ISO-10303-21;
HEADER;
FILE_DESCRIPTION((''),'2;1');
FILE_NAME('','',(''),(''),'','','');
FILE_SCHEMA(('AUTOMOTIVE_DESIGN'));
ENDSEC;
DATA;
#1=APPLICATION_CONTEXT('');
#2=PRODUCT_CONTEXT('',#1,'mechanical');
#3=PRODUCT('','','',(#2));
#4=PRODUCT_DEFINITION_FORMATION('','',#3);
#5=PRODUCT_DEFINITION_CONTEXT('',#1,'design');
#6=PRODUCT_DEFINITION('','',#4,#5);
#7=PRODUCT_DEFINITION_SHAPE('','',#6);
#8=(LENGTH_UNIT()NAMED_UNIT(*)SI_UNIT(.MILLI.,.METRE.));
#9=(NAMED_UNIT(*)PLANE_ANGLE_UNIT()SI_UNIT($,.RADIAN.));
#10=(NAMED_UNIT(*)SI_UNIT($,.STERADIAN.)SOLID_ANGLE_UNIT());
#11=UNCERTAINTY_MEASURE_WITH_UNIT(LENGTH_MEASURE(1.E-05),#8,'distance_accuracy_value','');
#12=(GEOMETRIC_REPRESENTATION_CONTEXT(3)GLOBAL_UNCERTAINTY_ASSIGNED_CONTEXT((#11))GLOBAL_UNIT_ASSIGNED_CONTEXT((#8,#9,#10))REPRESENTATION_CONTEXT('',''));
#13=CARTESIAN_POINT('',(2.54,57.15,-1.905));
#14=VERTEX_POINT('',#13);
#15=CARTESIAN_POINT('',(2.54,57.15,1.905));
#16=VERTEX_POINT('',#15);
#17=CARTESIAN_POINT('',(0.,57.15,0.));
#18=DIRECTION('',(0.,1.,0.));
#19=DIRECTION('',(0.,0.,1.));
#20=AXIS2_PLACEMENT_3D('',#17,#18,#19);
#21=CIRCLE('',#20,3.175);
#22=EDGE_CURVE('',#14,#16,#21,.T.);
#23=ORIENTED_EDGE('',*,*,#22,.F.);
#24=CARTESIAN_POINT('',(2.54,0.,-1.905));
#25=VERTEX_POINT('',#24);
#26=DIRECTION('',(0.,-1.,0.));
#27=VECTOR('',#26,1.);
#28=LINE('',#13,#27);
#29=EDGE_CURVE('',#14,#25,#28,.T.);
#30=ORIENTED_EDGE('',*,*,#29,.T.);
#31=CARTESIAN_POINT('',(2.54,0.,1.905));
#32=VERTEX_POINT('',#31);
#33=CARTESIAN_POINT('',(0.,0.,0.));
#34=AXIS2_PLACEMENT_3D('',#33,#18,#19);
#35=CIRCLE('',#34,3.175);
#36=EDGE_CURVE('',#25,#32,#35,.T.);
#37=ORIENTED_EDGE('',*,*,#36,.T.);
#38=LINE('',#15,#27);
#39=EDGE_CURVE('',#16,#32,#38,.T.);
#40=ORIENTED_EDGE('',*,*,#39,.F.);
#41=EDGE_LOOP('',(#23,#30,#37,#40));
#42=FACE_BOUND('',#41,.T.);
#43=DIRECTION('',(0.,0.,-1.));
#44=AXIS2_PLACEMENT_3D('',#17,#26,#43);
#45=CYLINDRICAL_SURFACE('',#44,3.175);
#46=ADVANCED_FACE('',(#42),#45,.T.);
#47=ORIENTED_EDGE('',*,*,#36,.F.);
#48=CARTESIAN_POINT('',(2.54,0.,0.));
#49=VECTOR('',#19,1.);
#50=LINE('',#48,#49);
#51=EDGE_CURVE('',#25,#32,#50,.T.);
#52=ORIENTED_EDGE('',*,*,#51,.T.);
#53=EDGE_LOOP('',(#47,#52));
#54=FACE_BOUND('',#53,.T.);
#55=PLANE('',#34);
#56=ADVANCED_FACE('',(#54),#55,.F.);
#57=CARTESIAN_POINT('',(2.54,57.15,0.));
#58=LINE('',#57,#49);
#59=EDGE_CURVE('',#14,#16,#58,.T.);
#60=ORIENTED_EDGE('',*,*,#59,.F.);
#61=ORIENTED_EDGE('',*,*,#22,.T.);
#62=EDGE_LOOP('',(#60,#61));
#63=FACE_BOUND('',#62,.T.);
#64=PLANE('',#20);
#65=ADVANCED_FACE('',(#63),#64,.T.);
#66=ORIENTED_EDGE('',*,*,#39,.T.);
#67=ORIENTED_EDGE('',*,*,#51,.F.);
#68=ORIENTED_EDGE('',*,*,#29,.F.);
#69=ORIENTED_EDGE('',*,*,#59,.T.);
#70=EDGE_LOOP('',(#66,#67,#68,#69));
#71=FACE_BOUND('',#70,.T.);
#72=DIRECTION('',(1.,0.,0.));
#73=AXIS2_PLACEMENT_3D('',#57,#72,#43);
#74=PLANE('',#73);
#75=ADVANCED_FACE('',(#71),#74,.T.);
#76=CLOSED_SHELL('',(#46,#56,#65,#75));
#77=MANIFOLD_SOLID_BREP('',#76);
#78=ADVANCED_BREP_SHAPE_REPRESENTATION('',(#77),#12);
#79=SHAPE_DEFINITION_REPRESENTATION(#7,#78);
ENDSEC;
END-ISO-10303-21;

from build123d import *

# Parameters (mm, degrees)
BOSS_EXTRUDE1_DEPTH = 57.15


with BuildPart() as part:
    # Sketch1 → Boss-Extrude1 (new body)
    with BuildSketch(Plane(origin=(0, 0, 0), x_dir=(1, 0, 0), z_dir=(0, 1, 0))):
        with BuildLine():
            Line((2.54, -1.905), (2.54, 1.905))
            ThreePointArc((2.54, 1.905), (-3.175, 0), (2.54, -1.905))
        make_face()
    extrude(amount=BOSS_EXTRUDE1_DEPTH)


solid = part.part
